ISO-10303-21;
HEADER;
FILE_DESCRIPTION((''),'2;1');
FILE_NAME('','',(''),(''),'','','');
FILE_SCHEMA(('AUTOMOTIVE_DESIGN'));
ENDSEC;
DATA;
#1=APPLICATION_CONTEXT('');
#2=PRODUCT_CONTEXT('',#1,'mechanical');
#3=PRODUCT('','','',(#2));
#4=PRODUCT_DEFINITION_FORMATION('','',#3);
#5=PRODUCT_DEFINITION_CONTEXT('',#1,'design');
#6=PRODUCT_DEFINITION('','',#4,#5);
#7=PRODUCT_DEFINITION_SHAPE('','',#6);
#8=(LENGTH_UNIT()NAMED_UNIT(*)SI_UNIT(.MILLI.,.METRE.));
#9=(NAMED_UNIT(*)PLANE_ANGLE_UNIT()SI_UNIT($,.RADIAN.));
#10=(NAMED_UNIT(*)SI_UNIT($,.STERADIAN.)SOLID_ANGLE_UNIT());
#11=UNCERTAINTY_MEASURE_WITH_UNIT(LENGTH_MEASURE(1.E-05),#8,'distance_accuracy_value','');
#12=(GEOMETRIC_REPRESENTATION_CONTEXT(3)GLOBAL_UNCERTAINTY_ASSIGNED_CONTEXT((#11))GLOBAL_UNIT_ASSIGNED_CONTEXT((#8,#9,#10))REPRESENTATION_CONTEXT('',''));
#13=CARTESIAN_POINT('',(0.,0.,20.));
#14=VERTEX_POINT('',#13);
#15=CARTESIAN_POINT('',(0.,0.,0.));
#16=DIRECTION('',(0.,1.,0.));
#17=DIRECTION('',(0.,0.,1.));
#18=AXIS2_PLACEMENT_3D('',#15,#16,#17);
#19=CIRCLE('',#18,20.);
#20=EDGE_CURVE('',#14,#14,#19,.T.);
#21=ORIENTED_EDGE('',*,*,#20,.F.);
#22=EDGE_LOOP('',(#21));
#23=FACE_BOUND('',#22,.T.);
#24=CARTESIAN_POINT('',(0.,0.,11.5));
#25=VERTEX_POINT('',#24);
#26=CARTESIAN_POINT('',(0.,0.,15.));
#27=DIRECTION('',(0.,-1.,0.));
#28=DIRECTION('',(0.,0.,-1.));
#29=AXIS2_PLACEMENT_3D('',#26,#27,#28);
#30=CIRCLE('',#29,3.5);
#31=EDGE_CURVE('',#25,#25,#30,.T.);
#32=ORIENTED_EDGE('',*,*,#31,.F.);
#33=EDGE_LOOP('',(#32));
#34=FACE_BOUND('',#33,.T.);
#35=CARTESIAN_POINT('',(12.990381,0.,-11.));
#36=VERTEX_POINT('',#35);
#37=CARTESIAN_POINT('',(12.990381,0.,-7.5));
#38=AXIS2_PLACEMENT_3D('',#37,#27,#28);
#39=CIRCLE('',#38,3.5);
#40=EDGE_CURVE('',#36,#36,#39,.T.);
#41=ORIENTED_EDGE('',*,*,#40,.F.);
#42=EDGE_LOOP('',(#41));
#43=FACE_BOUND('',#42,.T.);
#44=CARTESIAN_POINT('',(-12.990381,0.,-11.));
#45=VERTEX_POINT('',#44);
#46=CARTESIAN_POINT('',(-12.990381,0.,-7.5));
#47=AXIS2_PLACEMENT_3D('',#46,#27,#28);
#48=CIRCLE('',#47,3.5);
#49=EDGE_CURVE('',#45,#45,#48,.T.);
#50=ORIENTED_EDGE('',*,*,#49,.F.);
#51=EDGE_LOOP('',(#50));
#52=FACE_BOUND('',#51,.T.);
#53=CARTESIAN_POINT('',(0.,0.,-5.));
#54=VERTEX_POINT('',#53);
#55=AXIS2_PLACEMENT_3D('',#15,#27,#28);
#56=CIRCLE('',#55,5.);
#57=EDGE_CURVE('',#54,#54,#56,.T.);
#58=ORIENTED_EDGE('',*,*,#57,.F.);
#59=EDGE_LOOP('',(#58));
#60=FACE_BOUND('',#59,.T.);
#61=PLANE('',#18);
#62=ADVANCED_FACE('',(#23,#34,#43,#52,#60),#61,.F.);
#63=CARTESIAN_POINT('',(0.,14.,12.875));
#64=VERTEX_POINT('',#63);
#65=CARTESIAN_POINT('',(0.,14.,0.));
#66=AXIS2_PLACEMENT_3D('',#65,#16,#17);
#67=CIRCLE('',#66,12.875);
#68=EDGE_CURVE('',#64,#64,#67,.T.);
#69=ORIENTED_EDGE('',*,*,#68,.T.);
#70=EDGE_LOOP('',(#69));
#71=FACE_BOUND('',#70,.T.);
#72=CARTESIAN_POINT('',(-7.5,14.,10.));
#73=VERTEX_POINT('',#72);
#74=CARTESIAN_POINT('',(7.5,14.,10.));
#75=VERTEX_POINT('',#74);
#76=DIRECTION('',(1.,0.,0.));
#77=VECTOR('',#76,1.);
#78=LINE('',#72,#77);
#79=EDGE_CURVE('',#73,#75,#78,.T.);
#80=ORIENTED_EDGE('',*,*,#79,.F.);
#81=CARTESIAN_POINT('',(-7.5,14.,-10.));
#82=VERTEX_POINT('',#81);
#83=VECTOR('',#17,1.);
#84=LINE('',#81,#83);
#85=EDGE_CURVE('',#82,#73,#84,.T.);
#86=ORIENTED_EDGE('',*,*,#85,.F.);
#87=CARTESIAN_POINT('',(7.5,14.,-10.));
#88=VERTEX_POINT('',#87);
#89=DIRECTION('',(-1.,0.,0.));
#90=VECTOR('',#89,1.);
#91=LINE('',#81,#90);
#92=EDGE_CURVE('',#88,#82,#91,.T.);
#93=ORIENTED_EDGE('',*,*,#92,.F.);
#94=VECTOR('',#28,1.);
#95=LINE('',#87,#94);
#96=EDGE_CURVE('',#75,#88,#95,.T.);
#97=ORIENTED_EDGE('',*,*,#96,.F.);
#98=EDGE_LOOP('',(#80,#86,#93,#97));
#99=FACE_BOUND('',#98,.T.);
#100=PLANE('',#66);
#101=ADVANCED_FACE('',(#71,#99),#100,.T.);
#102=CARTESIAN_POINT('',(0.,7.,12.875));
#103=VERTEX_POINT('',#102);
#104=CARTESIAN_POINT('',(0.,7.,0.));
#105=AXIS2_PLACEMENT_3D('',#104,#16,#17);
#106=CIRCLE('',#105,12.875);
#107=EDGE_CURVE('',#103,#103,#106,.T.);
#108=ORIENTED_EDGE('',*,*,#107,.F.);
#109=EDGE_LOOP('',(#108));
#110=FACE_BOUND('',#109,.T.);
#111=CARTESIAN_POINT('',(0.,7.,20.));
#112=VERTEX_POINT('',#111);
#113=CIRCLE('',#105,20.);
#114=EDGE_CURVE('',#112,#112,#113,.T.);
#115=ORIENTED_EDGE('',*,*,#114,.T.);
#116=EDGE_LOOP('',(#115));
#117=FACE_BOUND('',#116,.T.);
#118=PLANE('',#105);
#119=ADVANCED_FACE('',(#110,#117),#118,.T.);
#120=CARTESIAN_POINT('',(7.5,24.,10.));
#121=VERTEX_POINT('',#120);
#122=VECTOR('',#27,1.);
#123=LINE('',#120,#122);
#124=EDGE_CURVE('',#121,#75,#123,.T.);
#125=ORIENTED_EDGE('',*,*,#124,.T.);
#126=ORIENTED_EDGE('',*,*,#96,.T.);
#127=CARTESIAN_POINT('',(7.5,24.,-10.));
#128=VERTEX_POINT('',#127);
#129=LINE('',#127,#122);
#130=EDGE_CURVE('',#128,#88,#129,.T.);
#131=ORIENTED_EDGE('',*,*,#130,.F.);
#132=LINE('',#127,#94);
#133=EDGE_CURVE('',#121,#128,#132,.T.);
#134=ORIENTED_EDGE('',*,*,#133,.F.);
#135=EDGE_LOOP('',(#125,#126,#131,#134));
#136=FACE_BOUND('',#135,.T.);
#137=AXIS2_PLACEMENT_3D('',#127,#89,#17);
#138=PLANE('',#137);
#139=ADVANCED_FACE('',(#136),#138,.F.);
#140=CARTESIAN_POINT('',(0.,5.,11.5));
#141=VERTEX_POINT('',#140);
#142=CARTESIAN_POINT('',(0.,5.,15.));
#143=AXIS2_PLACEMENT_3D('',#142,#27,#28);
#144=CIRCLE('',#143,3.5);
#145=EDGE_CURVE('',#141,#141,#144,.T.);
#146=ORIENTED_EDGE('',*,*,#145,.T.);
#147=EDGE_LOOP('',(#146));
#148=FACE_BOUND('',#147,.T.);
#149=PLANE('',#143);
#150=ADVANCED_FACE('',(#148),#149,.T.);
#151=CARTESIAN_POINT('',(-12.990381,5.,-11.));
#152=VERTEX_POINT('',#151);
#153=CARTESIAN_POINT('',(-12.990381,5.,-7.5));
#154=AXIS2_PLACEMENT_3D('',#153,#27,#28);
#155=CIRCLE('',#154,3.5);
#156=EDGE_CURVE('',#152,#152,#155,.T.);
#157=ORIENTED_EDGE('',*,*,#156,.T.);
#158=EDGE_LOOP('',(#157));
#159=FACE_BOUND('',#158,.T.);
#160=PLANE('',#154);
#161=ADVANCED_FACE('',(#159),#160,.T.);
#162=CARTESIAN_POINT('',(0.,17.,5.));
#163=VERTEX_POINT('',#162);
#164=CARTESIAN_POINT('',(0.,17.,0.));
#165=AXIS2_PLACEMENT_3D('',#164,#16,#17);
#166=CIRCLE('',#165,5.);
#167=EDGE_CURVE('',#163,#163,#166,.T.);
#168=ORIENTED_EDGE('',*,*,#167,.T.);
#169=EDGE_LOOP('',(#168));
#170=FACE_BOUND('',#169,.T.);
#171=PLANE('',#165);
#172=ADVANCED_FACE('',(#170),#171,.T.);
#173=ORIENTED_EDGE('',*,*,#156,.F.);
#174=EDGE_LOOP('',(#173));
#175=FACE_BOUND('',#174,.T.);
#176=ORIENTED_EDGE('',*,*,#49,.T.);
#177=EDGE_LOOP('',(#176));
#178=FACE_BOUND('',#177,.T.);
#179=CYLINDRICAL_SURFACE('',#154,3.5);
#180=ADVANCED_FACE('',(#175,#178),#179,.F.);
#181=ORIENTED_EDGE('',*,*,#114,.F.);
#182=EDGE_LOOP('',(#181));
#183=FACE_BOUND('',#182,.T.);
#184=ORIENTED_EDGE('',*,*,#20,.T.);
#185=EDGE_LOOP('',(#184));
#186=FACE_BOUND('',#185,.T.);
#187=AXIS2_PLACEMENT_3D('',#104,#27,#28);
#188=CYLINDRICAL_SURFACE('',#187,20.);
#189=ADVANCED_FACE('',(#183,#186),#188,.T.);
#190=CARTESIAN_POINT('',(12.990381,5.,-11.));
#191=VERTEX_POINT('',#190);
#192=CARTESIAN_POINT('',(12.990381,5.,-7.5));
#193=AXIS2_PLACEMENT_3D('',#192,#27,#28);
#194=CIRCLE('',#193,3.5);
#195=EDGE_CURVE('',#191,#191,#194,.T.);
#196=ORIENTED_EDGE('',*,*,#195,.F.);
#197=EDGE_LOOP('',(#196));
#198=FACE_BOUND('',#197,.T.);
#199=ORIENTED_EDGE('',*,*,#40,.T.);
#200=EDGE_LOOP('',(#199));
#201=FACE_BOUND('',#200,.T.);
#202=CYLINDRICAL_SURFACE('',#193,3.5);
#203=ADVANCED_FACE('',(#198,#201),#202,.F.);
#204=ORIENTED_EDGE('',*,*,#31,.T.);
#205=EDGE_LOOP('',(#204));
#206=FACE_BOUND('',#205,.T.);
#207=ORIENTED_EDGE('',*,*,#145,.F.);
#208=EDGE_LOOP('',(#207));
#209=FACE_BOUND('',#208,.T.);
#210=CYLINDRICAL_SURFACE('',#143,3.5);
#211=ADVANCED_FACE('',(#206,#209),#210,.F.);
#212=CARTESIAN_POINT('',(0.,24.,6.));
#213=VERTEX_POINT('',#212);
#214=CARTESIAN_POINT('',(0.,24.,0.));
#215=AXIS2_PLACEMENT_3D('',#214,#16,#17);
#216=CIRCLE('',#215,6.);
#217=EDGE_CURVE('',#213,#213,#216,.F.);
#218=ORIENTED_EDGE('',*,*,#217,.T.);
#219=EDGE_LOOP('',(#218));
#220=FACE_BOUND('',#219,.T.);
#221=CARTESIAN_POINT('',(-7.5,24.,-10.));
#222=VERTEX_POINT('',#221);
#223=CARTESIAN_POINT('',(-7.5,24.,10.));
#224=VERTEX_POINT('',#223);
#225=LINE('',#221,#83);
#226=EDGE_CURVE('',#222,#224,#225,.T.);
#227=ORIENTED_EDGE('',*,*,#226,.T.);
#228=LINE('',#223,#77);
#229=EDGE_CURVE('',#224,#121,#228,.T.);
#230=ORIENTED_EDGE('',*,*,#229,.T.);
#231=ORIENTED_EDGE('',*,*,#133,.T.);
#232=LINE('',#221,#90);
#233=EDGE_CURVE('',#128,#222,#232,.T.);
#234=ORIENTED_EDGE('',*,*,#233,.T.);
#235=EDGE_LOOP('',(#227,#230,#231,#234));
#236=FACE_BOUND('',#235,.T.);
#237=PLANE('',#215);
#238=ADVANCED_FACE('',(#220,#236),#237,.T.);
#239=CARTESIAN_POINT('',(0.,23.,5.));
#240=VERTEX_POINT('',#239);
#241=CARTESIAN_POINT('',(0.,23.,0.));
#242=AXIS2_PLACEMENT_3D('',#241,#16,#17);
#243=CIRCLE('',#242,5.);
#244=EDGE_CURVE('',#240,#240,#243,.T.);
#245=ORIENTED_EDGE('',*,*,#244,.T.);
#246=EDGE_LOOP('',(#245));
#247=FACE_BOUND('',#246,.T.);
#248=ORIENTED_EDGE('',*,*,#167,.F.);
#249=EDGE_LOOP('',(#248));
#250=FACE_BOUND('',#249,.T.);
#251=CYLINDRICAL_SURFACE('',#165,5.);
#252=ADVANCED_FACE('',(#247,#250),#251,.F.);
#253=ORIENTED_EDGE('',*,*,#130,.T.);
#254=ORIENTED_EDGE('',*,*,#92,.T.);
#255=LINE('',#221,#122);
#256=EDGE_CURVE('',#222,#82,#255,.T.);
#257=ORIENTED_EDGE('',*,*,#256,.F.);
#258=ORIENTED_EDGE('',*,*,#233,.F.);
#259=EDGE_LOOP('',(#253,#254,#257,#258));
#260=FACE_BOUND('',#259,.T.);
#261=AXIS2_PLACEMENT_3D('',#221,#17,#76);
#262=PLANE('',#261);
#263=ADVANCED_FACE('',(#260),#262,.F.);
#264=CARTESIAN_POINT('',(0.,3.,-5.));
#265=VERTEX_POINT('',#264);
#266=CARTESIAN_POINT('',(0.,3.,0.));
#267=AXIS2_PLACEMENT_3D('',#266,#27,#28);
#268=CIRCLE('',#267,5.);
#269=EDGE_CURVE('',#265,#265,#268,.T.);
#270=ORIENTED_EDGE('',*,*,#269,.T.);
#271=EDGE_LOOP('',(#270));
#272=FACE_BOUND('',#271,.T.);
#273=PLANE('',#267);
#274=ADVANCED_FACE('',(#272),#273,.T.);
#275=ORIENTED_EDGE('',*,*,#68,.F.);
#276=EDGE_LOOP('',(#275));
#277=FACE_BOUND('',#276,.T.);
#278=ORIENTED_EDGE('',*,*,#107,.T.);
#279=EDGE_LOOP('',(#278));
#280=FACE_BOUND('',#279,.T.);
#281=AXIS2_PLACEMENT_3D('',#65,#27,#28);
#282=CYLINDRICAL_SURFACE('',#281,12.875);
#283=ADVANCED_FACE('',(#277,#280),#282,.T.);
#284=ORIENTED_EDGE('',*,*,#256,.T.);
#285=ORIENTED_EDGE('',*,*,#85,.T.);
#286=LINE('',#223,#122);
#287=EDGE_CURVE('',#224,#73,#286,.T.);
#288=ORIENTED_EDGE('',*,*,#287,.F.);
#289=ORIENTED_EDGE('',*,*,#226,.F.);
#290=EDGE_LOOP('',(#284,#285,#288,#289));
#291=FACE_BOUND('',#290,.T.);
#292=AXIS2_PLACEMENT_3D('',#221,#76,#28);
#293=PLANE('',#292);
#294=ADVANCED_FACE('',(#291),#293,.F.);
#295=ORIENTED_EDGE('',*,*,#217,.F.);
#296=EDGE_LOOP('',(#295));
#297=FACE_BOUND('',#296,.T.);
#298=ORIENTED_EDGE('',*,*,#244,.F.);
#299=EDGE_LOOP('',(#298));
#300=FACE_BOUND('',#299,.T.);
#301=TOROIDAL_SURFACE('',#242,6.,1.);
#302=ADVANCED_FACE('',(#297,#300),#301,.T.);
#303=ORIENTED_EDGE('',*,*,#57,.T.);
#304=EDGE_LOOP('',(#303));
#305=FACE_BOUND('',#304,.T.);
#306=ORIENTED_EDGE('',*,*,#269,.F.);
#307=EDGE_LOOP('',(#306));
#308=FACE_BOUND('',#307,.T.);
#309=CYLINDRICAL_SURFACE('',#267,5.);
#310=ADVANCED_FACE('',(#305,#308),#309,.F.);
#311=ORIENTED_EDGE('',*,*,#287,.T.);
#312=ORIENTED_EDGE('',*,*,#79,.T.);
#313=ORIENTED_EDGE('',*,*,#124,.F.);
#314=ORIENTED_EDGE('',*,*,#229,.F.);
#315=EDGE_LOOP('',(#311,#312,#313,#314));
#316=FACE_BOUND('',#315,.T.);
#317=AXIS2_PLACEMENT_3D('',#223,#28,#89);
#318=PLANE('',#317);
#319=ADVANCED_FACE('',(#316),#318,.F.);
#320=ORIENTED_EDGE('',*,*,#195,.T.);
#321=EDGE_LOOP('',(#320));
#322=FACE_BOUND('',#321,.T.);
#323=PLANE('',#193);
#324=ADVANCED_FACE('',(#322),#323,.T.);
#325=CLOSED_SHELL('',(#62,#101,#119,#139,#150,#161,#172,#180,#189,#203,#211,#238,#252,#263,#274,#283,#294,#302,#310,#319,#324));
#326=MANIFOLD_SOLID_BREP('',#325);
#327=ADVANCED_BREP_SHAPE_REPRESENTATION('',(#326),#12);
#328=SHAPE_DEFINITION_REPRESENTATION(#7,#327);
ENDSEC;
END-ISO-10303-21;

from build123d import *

# Parameters (mm, degrees)
SKIZZE1_R                       = 20
AUFSATZ_LINEAR_AUSTRAGEN1_DEPTH = 7
SKIZZE3_R                       = 12.875
AUFSATZ_LINEAR_AUSTRAGEN2_DEPTH = 7
SKIZZE7_W                       = 15
SKIZZE7_H                       = 20
AUFSATZ_LINEAR_AUSTRAGEN3_DEPTH = 10
SKIZZE8_R                       = 5
SCHNITT_LINEAR_AUSTRAGEN2_DEPTH = 7
VERRUNDUNG2_R                   = 1
SCHNITT_LINEAR_START            = -3
SKIZZE9_R                       = 5
SCHNITT_LINEAR_AUSTRAGEN3_DEPTH = 3
SKIZZE5_R                       = 3.5
SCHNITT_LINEAR_AUSTRAGEN4_DEPTH = 5


with BuildPart() as part:
    # Skizze1 → Aufsatz-Linear austragen1 (new body)
    with BuildSketch(Plane(origin=(0, 0, 0), x_dir=(1, 0, 0), z_dir=(0, 1, 0))):
        with Locations(Location((0, 0, 0), (0, 0, 270))):
            Circle(SKIZZE1_R)
    extrude(amount=AUFSATZ_LINEAR_AUSTRAGEN1_DEPTH)

    # Skizze3 → Aufsatz-Linear austragen2 (add)
    with BuildSketch(Plane(origin=(0, 7, 0), x_dir=(1, 0, 0), z_dir=(0, 1, 0))):
        with Locations(Location((0, 0, 0), (0, 0, 270))):
            Circle(SKIZZE3_R)
    extrude(amount=AUFSATZ_LINEAR_AUSTRAGEN2_DEPTH)

    # Skizze7 → Aufsatz-Linear austragen3 (add)
    with BuildSketch(Plane(origin=(0, 14, 0), x_dir=(1, 0, 0), z_dir=(0, 1, 0))):
        Rectangle(SKIZZE7_W, SKIZZE7_H)
    extrude(amount=AUFSATZ_LINEAR_AUSTRAGEN3_DEPTH)

    # Skizze8 → Schnitt-Linear austragen2 (cut)
    with BuildSketch(Plane(origin=(0, 24, 0), x_dir=(1, 0, 0), z_dir=(0, 1, 0))):
        with Locations(Location((0, 0, 0), (0, 0, 270))):
            Circle(SKIZZE8_R)
    extrude(amount=-SCHNITT_LINEAR_AUSTRAGEN2_DEPTH, mode=Mode.SUBTRACT)

    # Verrundung2
    verrundung2_edges = [part.edges().sort_by_distance(p)[0] for p in [
        (0, 24, -5),
    ]]
    fillet(verrundung2_edges, radius=VERRUNDUNG2_R)

    # Skizze9 → Schnitt-Linear austragen3 (cut)
    with BuildSketch(Plane.XZ.offset(SCHNITT_LINEAR_START)):
        with Locations(Location((0, 0, 0), (0, 0, 90))):
            Circle(SKIZZE9_R)
    extrude(amount=SCHNITT_LINEAR_AUSTRAGEN3_DEPTH, mode=Mode.SUBTRACT)

    # Skizze5 → Schnitt-Linear austragen4 (cut)
    with BuildSketch(Plane(origin=(0, 0, 0), x_dir=(-1, 0, 0), z_dir=(0, -1, 0))):
        with Locations(Location((0, -15, 0), (0, 0, 90))):
            Circle(SKIZZE5_R)
        with Locations(Location((-12.990381057, 7.5, 0), (0, 0, 90))):
            Circle(SKIZZE5_R)
        with Locations(Location((12.990381057, 7.5, 0), (0, 0, 90))):
            Circle(SKIZZE5_R)
    extrude(amount=-SCHNITT_LINEAR_AUSTRAGEN4_DEPTH, mode=Mode.SUBTRACT)


solid = part.part
